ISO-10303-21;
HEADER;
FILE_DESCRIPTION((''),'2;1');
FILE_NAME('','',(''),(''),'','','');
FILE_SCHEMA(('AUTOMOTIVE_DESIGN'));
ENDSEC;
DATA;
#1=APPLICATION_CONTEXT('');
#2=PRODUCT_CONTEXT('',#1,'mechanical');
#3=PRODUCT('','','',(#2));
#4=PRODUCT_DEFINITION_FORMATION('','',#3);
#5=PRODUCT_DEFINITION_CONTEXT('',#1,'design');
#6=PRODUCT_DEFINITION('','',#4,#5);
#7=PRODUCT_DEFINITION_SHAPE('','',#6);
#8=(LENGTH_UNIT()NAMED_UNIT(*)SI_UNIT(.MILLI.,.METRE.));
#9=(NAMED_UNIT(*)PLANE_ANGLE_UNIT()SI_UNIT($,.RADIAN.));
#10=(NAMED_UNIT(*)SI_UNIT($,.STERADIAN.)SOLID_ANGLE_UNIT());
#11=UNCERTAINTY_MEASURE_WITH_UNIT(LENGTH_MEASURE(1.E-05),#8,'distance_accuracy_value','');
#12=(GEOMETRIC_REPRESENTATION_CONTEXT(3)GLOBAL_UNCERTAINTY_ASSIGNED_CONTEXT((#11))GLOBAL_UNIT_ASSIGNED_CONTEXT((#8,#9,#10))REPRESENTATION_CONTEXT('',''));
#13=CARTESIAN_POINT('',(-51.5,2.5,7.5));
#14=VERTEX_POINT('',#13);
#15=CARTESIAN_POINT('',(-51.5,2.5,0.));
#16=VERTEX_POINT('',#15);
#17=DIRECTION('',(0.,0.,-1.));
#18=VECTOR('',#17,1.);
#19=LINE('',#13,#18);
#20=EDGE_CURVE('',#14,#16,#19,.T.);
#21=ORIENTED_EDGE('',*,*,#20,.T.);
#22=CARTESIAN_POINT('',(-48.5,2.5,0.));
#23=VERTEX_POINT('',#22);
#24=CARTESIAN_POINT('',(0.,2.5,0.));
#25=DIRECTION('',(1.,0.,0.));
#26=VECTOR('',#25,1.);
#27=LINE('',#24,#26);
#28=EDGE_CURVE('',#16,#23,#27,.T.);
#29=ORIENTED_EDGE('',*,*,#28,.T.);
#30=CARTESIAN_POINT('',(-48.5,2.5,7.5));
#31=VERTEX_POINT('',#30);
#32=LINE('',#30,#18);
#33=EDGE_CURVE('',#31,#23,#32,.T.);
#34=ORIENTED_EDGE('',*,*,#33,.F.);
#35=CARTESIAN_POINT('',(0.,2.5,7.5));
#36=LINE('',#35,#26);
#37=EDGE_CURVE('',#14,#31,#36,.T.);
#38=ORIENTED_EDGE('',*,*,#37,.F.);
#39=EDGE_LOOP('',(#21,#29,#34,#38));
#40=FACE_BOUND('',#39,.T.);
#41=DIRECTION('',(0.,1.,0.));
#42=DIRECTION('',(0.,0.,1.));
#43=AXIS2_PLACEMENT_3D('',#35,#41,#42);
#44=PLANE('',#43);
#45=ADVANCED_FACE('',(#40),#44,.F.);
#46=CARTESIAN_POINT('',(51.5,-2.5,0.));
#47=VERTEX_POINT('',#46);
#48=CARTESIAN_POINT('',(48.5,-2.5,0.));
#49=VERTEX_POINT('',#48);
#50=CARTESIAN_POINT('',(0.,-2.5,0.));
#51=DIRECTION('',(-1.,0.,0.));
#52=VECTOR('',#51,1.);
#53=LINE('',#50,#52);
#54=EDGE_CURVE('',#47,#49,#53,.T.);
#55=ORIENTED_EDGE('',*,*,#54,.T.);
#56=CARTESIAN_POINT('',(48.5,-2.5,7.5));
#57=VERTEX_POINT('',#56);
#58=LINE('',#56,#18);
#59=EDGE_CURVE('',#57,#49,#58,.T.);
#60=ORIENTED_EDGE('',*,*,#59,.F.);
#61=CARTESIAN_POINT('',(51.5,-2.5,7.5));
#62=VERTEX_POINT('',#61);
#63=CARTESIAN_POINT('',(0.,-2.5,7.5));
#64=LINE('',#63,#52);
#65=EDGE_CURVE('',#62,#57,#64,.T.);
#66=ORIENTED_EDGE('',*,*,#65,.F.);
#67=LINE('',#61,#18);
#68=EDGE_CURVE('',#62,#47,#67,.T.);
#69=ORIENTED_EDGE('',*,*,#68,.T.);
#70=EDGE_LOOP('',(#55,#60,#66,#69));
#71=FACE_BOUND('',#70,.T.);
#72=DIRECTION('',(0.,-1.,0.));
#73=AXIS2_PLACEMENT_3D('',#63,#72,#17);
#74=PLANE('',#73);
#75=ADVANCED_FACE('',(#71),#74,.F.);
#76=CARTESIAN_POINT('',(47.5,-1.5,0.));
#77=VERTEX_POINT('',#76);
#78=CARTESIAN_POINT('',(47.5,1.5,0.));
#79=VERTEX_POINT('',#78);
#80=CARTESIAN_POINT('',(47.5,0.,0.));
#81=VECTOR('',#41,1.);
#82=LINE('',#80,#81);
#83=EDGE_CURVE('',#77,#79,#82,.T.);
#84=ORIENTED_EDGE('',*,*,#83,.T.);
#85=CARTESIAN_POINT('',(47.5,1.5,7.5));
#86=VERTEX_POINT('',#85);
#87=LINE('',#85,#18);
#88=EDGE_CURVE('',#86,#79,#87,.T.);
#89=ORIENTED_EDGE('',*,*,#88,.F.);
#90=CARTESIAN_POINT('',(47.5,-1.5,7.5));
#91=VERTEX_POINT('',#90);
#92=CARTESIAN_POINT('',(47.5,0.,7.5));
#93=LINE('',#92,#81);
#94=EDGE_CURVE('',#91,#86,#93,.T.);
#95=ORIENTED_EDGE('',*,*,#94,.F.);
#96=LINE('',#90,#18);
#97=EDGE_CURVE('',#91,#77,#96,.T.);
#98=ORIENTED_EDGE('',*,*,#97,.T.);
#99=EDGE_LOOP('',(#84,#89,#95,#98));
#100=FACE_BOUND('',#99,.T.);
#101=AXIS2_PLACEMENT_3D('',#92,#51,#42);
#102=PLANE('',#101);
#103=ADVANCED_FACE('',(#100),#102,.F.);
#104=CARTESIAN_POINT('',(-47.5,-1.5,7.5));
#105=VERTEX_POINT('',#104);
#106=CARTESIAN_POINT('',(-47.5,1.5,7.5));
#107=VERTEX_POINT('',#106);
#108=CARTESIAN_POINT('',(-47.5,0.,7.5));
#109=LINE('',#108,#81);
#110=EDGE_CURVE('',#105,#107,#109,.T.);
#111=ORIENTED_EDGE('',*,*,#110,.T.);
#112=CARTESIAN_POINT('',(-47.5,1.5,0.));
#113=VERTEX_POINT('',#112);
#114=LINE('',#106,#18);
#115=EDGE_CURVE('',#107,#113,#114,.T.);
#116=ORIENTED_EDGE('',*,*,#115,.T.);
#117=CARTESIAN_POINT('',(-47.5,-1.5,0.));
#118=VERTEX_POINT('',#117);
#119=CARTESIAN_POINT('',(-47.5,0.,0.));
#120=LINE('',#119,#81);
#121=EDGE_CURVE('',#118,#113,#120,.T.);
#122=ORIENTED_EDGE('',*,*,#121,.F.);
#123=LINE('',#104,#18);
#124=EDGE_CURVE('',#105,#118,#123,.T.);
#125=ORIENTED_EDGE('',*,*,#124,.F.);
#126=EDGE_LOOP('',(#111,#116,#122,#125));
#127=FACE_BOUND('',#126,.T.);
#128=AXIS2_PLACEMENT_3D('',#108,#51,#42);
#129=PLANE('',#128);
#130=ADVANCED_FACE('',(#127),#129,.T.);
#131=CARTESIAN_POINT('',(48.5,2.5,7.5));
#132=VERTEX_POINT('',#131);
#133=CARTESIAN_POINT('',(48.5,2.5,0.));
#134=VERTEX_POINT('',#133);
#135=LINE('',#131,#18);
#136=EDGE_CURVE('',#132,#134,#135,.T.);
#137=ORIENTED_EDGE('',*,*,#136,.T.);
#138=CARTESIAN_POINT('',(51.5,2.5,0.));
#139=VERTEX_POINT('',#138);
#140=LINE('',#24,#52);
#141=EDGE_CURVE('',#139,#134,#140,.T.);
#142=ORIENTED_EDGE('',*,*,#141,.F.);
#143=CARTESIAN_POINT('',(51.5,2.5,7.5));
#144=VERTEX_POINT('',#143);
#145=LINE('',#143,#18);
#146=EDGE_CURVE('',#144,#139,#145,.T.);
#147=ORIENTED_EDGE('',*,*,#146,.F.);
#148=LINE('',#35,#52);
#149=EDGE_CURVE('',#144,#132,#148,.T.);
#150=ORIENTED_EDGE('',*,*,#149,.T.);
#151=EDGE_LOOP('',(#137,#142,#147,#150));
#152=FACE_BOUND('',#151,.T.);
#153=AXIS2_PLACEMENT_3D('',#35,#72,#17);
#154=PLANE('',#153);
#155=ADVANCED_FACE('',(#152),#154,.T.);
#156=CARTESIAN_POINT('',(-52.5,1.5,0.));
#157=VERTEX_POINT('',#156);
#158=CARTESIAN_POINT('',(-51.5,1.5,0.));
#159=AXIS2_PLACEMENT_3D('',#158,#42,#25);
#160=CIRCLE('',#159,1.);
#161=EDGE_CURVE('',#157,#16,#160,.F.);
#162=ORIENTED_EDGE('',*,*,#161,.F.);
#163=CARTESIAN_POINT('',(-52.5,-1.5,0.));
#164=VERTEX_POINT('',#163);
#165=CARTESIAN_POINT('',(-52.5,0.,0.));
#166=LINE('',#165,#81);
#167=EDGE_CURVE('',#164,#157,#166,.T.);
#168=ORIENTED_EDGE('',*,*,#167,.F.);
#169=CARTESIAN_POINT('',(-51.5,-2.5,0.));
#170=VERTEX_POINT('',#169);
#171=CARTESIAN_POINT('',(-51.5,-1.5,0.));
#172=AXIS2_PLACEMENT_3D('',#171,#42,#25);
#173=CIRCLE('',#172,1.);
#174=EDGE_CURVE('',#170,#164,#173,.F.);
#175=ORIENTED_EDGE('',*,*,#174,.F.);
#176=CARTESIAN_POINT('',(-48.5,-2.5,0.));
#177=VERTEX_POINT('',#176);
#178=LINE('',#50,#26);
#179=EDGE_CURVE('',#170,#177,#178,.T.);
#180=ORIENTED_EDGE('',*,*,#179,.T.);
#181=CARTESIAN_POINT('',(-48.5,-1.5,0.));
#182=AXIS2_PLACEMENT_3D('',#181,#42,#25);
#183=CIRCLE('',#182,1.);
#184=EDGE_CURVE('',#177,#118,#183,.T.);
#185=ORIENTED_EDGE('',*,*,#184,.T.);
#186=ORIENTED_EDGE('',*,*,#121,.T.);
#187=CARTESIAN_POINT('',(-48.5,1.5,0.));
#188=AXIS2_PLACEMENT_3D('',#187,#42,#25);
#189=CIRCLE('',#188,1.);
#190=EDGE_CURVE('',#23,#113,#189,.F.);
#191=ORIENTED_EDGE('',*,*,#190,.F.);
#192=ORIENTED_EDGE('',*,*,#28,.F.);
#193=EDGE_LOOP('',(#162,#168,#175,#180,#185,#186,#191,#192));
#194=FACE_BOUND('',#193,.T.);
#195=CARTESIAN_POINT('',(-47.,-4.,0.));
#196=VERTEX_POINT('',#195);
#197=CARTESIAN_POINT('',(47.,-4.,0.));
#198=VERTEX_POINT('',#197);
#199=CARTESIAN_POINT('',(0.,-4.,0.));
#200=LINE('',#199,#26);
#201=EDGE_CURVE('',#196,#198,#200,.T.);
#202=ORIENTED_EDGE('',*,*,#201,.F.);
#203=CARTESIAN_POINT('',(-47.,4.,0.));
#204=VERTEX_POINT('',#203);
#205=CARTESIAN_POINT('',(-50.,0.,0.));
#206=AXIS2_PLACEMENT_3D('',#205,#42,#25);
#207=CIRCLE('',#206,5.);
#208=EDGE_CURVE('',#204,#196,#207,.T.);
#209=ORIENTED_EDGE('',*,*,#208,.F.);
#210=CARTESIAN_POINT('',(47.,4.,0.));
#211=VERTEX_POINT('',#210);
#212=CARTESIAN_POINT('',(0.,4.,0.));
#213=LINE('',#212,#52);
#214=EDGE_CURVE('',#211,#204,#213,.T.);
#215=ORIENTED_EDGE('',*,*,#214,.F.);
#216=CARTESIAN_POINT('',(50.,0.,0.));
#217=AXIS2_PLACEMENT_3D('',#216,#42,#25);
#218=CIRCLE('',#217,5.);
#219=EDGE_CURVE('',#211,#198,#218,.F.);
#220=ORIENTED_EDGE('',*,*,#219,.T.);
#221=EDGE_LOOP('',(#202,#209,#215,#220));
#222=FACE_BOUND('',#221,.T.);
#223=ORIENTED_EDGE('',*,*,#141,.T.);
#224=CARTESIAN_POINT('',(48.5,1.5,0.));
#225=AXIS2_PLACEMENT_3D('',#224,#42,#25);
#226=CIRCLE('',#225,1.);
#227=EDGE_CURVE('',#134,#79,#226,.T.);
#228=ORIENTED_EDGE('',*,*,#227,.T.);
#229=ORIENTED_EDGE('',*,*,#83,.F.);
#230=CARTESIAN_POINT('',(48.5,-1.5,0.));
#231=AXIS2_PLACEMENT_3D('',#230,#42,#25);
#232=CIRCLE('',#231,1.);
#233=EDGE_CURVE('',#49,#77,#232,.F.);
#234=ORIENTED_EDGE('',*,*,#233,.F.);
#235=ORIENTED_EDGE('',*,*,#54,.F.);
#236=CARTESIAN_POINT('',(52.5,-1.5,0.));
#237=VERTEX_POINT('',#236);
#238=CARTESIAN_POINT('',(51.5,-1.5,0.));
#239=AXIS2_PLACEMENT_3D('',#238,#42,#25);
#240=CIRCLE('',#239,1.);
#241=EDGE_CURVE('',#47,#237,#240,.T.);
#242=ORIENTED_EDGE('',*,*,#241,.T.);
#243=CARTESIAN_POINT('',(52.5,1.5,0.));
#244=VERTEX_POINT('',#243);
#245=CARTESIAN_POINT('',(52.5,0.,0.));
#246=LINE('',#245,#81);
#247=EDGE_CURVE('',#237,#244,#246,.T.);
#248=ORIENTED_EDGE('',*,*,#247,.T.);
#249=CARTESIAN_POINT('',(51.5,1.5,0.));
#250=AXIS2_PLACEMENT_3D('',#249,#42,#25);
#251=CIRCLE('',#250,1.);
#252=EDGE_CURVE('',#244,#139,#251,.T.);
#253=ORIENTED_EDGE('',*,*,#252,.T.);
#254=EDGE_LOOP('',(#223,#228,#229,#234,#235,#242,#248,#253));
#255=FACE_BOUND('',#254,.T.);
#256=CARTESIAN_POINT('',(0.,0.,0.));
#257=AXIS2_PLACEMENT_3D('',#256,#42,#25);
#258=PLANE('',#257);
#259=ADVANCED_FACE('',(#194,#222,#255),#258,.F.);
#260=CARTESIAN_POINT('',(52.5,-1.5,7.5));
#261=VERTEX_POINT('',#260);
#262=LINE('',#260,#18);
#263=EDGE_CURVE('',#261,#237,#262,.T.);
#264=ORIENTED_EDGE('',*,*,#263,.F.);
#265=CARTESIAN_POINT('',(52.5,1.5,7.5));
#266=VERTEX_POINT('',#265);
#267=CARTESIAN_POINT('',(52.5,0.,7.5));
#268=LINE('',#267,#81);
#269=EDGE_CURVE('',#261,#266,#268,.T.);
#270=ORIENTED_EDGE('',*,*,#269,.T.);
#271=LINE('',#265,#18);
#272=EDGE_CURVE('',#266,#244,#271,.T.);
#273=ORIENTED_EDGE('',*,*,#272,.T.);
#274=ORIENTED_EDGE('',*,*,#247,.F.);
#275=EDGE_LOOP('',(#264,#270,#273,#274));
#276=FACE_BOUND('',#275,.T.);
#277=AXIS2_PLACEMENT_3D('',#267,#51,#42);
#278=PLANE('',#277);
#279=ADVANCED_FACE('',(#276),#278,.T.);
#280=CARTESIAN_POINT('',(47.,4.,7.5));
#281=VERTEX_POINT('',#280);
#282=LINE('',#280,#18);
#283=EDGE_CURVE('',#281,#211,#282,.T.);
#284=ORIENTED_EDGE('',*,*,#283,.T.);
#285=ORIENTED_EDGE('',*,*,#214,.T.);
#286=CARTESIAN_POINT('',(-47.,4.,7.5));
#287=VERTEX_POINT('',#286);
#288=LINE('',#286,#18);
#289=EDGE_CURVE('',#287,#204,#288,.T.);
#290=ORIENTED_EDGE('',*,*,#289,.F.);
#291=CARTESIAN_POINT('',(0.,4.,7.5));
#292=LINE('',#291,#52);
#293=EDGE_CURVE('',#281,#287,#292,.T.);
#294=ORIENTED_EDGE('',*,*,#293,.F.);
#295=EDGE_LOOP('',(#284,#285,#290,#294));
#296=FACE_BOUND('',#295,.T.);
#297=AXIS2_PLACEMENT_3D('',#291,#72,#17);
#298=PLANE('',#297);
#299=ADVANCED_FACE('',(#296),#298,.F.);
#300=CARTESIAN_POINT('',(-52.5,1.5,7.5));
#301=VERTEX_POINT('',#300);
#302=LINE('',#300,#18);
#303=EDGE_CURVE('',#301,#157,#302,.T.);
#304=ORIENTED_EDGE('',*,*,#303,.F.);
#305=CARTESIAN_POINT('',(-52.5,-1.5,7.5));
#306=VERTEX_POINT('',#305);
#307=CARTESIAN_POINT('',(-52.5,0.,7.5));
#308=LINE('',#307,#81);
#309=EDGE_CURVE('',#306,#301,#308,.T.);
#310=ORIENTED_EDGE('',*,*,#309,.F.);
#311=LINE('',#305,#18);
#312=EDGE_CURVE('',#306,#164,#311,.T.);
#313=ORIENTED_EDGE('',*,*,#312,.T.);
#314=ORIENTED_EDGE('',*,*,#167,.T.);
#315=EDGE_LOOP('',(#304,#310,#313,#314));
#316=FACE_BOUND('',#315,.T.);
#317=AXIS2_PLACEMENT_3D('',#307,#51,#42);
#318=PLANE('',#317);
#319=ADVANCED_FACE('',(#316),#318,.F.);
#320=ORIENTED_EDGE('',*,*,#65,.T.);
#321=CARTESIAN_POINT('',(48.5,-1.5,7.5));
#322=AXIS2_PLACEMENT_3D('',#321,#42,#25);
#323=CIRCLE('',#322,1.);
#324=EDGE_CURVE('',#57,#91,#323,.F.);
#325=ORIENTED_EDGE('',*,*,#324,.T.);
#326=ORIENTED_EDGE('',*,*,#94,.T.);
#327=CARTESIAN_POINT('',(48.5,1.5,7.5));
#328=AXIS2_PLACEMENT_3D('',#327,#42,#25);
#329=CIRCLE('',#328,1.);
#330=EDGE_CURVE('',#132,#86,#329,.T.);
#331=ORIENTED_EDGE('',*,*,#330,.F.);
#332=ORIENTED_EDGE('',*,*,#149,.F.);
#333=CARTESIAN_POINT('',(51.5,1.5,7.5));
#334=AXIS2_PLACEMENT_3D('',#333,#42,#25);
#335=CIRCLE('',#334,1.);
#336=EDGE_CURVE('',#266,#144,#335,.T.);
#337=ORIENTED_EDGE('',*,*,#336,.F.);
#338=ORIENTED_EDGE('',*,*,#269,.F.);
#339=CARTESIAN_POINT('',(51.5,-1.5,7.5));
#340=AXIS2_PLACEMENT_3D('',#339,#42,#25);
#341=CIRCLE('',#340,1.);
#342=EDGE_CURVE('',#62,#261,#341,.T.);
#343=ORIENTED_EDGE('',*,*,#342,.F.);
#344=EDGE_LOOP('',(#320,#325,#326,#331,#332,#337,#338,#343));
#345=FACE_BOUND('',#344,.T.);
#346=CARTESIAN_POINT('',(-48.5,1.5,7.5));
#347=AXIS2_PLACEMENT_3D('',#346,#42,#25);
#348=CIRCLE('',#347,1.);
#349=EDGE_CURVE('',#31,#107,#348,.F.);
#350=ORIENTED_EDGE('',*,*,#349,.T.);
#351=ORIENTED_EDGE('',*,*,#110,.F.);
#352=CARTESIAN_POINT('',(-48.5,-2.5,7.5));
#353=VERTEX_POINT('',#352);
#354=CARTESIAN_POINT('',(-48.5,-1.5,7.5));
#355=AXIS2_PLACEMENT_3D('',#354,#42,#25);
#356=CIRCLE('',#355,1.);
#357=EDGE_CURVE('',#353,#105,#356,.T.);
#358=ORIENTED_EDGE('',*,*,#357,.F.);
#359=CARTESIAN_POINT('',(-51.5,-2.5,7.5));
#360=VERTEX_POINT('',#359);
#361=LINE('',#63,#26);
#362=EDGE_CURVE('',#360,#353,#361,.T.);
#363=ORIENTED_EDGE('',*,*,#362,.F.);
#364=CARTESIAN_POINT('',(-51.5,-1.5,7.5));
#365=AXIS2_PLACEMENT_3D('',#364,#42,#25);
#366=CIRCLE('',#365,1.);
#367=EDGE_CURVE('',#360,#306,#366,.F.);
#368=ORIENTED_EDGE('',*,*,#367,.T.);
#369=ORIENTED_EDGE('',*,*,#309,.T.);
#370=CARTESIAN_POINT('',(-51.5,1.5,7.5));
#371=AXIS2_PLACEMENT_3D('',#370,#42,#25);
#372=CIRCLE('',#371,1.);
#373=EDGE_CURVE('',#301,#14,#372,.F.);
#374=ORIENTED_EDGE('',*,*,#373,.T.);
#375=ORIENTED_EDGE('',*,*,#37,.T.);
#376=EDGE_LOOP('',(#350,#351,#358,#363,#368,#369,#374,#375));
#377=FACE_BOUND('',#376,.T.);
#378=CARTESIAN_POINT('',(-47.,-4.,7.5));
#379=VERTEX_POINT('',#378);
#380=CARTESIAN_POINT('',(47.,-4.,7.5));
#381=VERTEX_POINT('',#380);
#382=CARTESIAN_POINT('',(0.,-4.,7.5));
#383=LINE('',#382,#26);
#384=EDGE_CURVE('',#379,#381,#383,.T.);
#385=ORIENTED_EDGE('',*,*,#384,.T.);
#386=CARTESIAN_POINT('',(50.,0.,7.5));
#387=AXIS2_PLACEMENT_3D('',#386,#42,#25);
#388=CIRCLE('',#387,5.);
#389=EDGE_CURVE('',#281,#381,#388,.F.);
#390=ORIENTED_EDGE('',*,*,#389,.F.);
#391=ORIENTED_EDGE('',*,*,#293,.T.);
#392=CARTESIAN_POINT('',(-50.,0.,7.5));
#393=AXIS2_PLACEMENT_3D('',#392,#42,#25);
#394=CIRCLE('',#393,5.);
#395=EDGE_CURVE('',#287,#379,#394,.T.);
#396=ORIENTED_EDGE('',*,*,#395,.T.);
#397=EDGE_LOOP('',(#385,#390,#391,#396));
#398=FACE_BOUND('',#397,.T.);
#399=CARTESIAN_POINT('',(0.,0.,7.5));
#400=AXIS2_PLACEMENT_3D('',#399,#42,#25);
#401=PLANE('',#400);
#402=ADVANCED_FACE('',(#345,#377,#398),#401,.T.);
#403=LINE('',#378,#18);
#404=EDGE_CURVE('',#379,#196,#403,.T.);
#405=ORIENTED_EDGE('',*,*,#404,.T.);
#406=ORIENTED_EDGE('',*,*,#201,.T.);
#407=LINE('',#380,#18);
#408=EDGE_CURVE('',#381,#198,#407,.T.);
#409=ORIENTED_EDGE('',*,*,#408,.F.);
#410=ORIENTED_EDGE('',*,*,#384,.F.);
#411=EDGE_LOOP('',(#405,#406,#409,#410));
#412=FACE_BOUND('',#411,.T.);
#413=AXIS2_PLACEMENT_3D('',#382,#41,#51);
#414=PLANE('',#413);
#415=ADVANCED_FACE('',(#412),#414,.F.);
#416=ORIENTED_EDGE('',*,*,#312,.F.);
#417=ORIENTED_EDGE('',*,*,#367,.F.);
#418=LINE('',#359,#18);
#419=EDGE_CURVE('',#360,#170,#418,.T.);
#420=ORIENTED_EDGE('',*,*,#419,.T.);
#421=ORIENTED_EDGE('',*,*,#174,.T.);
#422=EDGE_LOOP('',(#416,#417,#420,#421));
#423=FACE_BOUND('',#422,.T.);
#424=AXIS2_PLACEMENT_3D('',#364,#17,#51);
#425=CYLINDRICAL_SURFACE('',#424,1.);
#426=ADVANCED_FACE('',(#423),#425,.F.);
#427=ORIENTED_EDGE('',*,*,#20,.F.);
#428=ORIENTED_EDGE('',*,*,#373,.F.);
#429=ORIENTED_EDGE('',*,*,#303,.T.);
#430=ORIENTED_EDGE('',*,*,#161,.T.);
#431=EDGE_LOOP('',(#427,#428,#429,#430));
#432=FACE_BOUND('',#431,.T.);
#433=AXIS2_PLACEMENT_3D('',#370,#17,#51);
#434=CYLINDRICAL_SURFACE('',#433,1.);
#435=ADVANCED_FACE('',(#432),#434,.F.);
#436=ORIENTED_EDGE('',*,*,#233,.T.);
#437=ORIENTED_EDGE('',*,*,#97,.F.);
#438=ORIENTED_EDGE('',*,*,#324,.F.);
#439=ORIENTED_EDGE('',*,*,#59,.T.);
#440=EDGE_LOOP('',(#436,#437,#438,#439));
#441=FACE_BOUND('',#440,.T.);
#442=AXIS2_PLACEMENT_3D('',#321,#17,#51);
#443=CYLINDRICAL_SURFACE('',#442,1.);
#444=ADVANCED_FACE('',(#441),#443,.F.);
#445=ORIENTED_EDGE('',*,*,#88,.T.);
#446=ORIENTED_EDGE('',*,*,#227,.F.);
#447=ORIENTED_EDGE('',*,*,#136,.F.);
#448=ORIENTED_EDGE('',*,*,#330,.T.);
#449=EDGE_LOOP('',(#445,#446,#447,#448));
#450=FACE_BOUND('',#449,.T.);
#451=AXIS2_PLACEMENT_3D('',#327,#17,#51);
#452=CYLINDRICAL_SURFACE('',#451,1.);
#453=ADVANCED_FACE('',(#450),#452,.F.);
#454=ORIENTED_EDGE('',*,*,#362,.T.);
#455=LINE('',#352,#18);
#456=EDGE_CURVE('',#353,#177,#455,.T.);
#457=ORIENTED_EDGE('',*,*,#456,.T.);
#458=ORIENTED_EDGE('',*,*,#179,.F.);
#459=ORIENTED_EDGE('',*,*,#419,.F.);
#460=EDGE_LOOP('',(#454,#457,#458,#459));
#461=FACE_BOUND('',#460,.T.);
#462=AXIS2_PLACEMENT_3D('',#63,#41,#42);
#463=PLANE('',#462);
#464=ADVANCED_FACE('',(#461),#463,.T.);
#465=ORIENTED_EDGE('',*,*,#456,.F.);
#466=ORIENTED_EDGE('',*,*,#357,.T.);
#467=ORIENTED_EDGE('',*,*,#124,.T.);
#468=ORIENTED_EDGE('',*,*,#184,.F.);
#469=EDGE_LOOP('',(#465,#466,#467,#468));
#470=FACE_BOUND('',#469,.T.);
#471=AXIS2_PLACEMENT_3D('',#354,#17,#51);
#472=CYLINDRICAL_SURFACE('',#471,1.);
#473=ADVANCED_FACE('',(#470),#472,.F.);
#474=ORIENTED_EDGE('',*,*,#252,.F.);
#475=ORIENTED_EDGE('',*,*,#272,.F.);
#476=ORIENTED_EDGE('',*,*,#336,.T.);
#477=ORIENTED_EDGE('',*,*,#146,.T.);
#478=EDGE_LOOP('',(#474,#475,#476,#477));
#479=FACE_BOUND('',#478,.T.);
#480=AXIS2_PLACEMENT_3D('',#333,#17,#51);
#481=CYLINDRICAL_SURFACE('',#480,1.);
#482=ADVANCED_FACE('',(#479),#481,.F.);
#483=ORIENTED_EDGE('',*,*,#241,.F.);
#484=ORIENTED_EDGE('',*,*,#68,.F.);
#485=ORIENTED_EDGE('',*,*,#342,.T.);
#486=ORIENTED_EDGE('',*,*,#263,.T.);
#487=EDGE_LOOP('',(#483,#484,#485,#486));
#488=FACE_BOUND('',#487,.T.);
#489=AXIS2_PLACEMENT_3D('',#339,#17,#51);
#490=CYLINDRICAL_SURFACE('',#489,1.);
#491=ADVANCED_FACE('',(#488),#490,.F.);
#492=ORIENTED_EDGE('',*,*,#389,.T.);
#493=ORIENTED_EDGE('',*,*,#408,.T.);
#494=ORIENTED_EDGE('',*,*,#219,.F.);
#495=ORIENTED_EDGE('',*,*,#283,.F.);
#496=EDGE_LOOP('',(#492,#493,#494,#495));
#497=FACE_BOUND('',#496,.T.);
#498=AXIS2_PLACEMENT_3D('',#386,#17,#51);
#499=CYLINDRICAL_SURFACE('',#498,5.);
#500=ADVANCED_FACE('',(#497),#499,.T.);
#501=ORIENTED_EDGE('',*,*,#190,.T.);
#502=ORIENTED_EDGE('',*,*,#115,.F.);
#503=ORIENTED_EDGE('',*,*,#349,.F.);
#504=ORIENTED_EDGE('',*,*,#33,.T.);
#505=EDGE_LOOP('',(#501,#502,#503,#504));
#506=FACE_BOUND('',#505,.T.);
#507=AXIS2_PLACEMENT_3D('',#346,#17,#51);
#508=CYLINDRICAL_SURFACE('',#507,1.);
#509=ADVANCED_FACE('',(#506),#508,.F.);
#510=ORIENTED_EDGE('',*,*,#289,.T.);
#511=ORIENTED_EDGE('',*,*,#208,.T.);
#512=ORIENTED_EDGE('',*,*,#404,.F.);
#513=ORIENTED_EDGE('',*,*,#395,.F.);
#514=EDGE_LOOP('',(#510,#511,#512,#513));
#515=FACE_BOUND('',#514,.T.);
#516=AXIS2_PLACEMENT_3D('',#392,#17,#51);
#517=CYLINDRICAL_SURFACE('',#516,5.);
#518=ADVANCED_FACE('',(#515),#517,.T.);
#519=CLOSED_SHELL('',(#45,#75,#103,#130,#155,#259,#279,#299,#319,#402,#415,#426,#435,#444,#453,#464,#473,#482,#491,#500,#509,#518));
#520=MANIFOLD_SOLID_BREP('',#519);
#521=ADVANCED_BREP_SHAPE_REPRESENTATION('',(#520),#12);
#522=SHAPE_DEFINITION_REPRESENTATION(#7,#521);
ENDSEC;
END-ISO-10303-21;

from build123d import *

# Parameters (mm, degrees)
SKETCH1_R           = 2.5
BOSS_EXTRUDE1_DEPTH = 7.5


with BuildPart() as part:
    # Sketch1 → Boss-Extrude1 (new body)
    # profile 1 of 2: a face of its own
    with BuildSketch(Plane.XY):
        with BuildLine():
            ThreePointArc((47, 4), (55, 0), (47, -4))
            Line((47, -4), (-47, -4))
            ThreePointArc((-47, -4), (-55, 0), (-47, 4))
            Line((-47, 4), (47, 4))
        make_face()
        Circle(SKETCH1_R, mode=Mode.SUBTRACT)
        with BuildLine():
            ThreePointArc((52.5, 1.5), (52.207106781, 2.207106781), (51.5, 2.5))
            Line((51.5, 2.5), (48.5, 2.5))
            ThreePointArc((48.5, 2.5), (47.792893219, 2.207106781), (47.5, 1.5))
            Line((47.5, 1.5), (47.5, -1.5))
            ThreePointArc((47.5, -1.5), (47.792893219, -2.207106781), (48.5, -2.5))
            Line((48.5, -2.5), (51.5, -2.5))
            ThreePointArc((51.5, -2.5), (52.207106781, -2.207106781), (52.5, -1.5))
            Line((52.5, -1.5), (52.5, 1.5))
        make_face(mode=Mode.SUBTRACT)
        with BuildLine():
            Line((-52.5, -1.5), (-52.5, 1.5))
            ThreePointArc((-52.5, 1.5), (-52.207106781, 2.207106781), (-51.5, 2.5))
            Line((-51.5, 2.5), (-48.5, 2.5))
            ThreePointArc((-48.5, 2.5), (-47.792893219, 2.207106781), (-47.5, 1.5))
            Line((-47.5, 1.5), (-47.5, -1.5))
            ThreePointArc((-47.5, -1.5), (-47.792893219, -2.207106781), (-48.5, -2.5))
            Line((-48.5, -2.5), (-51.5, -2.5))
            ThreePointArc((-51.5, -2.5), (-52.207106781, -2.207106781), (-52.5, -1.5))
        make_face(mode=Mode.SUBTRACT)
    # profile 2 of 2: a face of its own
    with BuildSketch(Plane.XY):
        Circle(SKETCH1_R)
    extrude(amount=BOSS_EXTRUDE1_DEPTH)


solid = part.part
